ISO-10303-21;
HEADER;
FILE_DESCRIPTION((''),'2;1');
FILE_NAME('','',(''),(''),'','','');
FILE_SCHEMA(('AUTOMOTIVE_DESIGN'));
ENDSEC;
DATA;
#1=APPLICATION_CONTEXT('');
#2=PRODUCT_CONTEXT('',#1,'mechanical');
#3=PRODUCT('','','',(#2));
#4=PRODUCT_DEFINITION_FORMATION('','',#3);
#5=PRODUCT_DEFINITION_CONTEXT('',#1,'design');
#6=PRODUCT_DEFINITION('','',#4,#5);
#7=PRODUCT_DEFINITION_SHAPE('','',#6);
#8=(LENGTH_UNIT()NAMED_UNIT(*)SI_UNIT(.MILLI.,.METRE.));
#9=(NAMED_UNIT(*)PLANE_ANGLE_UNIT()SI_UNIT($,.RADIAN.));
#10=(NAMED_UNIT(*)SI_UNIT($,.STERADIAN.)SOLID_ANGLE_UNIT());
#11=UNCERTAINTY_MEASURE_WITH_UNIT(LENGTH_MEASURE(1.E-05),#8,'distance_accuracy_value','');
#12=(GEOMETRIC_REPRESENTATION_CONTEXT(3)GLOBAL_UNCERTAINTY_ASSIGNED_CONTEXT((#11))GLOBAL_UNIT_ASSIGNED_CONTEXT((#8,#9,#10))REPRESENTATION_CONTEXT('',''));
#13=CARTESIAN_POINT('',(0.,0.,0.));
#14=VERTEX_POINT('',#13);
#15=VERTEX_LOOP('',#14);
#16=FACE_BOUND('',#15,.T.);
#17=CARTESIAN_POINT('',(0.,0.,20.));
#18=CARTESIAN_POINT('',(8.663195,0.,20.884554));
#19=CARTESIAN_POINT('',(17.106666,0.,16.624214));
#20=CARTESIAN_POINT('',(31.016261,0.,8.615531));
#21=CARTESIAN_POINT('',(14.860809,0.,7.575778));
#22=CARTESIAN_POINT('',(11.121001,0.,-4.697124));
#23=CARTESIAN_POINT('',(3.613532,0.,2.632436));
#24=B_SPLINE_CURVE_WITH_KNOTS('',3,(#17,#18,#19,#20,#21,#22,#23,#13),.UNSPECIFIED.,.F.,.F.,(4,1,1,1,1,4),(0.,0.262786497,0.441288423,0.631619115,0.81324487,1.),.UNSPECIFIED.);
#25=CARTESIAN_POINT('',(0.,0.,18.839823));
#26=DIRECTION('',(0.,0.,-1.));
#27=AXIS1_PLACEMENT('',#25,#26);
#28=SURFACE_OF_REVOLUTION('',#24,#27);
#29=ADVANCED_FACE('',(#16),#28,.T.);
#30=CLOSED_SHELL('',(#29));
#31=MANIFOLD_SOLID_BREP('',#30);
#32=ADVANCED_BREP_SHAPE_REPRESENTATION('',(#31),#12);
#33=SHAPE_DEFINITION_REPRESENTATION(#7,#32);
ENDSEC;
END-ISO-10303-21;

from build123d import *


with BuildPart() as f2:
    # F0 (on Front) → F2 (revolve)
    with BuildSketch(Plane.XZ):
        with BuildLine():
            Line((0, 20), (0, 0))
            add(Edge.make_bspline(
                [(0, 20), (8.6631950517, 20.8845536024), (17.1066660205, 16.6242138947), (31.0162610574, 8.6155314925), (14.860808946, 7.5757776856), (11.1210014437, -4.6971235748), (3.6135316301, 2.6324360084), (0, 0)],
                knots=[0, 0, 0, 0, 0.2627864973, 0.4412884233, 0.6316191148, 0.8132448696, 1, 1, 1, 1], degree=3))
        make_face()
    revolve(axis=Axis((0, 0, 18.8398230821), (0, 0, -1)))


solid = f2.part
